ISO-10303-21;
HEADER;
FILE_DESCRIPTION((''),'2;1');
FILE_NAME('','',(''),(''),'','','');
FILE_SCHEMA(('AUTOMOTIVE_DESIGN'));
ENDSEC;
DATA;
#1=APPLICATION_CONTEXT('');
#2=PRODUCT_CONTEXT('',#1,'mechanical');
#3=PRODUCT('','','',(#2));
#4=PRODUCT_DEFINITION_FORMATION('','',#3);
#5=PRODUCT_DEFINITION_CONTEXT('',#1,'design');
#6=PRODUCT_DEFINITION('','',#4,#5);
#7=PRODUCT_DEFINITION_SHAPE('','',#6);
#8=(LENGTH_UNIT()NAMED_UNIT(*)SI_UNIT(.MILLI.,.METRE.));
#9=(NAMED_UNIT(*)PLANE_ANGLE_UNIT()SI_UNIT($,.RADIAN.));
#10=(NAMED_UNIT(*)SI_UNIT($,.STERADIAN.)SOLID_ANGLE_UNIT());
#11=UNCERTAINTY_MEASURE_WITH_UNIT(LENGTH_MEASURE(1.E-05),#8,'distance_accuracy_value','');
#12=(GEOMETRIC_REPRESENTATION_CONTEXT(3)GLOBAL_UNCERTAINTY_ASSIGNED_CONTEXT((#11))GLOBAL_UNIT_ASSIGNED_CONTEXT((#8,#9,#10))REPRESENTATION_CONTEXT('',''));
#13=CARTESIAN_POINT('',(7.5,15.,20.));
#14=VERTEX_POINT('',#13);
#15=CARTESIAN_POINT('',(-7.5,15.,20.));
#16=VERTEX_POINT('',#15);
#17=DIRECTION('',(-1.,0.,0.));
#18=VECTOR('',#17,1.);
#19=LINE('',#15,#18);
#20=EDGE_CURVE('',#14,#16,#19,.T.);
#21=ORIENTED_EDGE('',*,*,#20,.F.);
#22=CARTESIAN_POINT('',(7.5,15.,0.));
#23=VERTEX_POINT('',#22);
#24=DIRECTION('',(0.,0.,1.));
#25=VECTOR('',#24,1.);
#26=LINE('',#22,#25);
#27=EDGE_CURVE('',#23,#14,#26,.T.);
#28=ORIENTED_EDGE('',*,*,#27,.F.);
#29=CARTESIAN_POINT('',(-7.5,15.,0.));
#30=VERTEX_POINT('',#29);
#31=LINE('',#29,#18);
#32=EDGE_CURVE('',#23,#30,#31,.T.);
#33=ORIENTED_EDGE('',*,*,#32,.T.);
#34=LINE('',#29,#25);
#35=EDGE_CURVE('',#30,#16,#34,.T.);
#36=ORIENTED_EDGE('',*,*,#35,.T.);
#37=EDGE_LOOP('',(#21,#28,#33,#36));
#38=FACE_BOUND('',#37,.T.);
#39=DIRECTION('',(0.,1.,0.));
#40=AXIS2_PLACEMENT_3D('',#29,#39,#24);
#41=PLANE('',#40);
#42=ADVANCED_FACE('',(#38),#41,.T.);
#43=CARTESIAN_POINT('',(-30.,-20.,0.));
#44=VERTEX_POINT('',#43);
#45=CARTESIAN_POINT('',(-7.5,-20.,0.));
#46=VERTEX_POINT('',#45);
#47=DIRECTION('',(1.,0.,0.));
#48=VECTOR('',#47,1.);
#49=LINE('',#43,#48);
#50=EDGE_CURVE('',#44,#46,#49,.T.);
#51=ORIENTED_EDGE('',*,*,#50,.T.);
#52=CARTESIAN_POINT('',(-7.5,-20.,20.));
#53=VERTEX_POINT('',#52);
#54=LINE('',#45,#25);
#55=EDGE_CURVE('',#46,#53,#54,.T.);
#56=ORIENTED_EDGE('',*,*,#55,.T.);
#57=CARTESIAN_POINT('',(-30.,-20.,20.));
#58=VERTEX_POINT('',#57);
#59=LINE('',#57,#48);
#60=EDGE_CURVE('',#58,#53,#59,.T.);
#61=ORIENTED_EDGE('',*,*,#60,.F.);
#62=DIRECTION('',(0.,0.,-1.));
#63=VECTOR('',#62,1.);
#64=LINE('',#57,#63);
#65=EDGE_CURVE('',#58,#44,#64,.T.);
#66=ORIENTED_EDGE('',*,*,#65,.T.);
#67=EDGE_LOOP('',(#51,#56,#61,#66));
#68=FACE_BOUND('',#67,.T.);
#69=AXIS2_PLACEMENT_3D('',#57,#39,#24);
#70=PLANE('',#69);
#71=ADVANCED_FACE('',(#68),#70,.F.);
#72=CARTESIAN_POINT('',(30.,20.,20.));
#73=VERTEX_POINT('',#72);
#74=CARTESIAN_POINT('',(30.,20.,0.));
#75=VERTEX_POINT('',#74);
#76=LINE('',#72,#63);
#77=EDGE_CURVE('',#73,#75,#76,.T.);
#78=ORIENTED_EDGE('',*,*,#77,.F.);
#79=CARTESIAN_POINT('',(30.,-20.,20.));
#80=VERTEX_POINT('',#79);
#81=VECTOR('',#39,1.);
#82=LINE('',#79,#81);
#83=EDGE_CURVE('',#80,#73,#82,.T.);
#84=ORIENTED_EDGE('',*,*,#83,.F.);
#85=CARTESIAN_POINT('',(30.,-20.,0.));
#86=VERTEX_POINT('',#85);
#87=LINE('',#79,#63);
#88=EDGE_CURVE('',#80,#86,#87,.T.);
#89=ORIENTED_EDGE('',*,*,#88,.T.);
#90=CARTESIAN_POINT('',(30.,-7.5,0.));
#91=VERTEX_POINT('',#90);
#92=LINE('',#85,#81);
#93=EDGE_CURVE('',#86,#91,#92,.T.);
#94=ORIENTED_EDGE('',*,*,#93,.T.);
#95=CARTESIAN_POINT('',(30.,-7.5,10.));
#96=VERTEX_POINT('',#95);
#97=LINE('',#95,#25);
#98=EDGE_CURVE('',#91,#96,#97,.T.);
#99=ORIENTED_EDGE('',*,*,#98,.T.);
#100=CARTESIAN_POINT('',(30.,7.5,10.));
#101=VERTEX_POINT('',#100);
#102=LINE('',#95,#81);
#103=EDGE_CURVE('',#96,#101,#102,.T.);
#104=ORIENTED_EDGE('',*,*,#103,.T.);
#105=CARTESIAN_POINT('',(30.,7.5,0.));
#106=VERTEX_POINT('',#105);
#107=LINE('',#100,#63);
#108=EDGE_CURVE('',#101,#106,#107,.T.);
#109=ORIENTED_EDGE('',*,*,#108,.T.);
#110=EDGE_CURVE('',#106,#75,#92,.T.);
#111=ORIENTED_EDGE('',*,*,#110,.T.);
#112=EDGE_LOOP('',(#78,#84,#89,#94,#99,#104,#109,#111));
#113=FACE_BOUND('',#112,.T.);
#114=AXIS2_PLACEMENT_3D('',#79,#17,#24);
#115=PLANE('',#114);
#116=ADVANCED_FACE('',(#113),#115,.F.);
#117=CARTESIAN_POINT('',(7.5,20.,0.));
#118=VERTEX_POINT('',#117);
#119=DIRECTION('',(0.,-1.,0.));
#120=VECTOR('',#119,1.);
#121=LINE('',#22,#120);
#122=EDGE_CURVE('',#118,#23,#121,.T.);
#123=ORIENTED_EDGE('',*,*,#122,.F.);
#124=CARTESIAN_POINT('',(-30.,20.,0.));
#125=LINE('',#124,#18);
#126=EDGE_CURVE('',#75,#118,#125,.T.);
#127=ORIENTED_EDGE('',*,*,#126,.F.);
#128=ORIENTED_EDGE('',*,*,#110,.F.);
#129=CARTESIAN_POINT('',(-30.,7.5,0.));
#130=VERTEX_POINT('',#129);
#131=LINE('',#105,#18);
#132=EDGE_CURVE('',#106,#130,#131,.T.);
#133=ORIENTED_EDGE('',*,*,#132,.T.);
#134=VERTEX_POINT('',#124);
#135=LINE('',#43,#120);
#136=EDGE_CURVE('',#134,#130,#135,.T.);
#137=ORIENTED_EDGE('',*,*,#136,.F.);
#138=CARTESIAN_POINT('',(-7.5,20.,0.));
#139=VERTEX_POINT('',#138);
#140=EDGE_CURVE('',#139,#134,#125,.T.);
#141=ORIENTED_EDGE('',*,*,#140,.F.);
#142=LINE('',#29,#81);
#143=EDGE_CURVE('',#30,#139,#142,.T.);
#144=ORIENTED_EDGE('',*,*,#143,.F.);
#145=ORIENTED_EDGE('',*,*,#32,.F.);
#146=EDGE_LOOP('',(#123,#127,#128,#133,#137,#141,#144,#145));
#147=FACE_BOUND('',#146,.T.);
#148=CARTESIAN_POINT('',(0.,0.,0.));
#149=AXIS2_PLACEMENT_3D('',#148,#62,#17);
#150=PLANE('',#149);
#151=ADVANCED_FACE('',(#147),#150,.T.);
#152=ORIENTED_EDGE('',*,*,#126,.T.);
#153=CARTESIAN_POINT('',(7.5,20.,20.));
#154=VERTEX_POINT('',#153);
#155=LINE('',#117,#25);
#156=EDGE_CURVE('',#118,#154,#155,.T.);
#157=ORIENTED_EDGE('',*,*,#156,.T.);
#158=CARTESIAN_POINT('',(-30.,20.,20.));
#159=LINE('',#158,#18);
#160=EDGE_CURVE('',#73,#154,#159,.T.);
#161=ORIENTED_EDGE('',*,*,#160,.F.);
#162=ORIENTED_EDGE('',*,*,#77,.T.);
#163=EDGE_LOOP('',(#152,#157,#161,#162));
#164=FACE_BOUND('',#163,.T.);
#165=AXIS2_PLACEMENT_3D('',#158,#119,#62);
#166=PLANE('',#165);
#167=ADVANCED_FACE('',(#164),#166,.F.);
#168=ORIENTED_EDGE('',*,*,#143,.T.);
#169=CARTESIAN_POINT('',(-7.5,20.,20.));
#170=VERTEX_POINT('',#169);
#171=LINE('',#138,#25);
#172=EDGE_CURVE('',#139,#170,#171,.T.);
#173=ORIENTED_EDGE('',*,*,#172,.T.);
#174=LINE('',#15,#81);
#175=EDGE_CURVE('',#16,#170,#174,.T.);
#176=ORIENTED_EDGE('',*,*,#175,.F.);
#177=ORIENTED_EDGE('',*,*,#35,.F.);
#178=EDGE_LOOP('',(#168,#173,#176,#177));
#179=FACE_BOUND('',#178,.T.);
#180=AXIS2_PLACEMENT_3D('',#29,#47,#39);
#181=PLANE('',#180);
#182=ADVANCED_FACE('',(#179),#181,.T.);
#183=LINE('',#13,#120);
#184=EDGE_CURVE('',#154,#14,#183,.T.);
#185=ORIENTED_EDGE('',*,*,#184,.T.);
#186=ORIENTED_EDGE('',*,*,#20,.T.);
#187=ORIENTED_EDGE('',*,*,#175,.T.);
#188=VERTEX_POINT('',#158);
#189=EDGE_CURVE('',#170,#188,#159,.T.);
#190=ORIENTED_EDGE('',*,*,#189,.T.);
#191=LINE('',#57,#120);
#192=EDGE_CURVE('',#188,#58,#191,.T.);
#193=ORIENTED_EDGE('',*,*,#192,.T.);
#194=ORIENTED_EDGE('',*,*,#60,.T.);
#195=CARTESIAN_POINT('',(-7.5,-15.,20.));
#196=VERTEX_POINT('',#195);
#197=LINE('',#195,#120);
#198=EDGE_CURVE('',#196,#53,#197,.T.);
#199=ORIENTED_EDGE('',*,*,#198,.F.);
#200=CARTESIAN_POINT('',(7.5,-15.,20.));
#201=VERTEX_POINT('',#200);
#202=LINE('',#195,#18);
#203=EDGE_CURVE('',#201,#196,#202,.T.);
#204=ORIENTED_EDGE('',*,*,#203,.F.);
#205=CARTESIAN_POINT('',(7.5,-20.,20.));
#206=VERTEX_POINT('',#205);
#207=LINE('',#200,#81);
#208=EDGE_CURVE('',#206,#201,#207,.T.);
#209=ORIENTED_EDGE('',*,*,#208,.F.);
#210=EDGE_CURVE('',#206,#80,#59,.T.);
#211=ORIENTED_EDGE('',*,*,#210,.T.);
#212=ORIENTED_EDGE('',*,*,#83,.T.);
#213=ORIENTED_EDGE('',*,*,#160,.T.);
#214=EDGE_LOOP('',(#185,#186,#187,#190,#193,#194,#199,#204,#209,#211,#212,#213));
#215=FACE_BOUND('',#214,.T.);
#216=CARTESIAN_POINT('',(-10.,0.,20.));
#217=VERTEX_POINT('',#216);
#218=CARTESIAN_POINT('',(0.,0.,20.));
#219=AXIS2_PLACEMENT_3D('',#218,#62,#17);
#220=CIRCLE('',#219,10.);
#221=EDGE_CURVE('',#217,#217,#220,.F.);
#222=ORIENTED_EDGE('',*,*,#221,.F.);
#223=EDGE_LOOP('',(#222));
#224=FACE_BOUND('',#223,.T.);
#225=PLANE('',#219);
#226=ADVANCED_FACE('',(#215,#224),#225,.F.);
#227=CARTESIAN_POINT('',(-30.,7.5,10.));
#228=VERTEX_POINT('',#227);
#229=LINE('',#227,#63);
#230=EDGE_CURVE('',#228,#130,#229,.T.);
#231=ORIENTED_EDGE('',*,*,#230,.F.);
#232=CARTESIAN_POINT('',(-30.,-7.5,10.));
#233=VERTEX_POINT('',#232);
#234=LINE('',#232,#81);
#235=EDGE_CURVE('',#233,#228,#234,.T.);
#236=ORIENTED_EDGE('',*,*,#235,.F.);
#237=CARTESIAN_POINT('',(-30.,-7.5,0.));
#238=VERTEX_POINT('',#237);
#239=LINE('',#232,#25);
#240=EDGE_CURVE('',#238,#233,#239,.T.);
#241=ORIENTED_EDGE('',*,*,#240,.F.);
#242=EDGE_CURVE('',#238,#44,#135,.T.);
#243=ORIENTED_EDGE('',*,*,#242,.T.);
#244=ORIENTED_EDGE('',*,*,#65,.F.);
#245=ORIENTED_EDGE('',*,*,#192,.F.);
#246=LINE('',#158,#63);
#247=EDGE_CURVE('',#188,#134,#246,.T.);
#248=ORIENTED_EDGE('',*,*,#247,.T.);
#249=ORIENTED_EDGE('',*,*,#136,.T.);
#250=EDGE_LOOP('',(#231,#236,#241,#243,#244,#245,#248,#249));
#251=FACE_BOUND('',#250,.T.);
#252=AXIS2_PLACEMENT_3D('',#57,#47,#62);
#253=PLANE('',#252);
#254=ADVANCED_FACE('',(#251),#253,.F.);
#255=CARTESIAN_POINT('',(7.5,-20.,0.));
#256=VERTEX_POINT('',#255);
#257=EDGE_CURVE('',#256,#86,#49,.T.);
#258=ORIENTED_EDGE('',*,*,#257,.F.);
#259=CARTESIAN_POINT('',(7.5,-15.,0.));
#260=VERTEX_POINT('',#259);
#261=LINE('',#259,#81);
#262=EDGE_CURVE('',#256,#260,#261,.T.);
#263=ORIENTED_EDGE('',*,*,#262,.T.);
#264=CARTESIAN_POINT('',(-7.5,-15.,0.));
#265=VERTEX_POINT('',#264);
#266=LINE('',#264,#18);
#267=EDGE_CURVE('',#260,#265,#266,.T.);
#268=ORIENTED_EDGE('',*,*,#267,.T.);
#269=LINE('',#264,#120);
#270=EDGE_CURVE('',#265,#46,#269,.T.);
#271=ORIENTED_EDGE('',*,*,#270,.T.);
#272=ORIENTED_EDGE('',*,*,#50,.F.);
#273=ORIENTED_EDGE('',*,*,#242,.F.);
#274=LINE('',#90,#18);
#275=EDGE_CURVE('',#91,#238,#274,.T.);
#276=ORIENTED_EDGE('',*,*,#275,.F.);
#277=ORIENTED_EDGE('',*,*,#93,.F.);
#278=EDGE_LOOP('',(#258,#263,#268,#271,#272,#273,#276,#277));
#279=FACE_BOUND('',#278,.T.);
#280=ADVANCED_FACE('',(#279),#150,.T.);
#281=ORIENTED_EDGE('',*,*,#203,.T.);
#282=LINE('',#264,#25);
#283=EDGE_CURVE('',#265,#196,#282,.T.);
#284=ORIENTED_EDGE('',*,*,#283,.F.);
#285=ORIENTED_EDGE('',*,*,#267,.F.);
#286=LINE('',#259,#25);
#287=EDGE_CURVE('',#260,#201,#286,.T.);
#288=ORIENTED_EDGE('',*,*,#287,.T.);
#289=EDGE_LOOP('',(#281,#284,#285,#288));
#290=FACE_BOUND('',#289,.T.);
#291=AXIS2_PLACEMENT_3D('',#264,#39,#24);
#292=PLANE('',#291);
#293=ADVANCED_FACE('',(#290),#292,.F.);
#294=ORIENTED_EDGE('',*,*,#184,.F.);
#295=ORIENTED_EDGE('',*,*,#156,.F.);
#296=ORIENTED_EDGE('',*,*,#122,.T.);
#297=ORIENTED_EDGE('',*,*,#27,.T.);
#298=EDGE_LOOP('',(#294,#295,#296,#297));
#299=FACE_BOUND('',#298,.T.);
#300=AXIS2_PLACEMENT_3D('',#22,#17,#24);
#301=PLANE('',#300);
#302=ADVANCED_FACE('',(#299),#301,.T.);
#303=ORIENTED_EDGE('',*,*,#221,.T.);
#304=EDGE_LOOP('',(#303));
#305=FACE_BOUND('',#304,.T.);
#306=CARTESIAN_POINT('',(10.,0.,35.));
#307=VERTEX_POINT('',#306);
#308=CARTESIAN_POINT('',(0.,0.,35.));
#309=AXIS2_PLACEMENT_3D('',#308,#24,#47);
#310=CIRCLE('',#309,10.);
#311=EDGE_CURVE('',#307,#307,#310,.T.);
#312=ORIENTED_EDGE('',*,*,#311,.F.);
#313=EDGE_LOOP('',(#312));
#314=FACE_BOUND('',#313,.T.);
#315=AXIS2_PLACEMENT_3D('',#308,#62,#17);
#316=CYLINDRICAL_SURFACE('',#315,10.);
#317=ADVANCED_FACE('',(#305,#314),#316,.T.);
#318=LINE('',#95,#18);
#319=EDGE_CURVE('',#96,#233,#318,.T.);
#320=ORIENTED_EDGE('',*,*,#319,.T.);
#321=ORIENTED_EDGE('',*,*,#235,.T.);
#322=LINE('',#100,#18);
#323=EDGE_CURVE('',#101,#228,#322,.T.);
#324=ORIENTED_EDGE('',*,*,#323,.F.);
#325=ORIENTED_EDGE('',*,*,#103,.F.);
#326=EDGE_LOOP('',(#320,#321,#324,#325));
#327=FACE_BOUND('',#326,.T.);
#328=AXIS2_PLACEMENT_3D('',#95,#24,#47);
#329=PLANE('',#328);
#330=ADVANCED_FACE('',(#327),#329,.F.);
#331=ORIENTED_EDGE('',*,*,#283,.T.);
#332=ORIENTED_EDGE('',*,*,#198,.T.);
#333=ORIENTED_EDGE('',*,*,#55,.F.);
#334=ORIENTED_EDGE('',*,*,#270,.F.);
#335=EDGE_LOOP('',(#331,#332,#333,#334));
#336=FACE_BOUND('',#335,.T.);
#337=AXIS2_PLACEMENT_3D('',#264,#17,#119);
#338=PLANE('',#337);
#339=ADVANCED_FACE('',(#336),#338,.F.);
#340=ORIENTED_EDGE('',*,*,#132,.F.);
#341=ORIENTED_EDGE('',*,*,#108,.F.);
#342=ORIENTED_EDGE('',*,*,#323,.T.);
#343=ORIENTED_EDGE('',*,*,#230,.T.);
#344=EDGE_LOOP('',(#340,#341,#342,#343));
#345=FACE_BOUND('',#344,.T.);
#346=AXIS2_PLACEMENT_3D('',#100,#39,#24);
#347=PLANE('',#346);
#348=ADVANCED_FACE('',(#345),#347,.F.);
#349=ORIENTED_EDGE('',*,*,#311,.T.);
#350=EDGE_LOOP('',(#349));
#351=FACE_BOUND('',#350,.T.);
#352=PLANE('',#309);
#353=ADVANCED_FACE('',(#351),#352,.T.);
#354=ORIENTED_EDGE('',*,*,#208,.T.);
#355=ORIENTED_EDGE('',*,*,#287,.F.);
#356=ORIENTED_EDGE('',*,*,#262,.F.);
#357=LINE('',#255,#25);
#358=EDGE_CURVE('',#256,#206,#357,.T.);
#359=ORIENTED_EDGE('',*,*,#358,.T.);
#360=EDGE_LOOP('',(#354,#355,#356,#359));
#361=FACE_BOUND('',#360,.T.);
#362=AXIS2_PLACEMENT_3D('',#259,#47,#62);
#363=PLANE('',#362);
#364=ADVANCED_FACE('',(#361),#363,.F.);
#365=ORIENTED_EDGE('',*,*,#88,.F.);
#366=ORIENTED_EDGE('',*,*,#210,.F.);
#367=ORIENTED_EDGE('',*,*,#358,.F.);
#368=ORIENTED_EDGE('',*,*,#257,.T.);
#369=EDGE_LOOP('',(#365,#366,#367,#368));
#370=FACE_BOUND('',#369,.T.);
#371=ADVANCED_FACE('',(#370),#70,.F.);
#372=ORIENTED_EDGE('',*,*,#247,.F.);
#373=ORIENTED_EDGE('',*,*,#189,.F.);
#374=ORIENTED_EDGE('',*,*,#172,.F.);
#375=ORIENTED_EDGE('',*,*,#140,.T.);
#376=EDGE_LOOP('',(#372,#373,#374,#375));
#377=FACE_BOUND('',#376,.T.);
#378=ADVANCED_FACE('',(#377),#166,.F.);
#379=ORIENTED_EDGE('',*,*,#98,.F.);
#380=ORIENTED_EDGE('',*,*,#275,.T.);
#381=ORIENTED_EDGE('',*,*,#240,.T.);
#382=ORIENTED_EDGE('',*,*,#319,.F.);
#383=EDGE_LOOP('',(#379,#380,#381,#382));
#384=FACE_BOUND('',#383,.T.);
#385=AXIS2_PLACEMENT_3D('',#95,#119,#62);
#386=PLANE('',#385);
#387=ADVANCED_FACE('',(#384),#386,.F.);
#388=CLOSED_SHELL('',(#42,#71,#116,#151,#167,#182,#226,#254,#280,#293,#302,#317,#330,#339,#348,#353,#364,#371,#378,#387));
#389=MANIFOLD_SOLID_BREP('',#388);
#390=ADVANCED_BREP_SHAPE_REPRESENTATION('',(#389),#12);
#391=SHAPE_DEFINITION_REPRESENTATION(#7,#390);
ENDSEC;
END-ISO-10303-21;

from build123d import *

# Parameters (mm, degrees)
SKETCH_1_W          = 60
SKETCH_1_H          = 40
EXTRUDE_1_DEPTH     = 20
SKETCH_2_R          = 10
EXTRUDE_2_DEPTH     = 15
SKETCH_3_W          = 15
SKETCH_3_H          = 5
CUT_EXTRUDE_1_DEPTH = 42.231056256
SKETCH_4_W          = 10
SKETCH_4_H          = 15
CUT_EXTRUDE_2_DEPTH = 73.284161474


with BuildPart() as part:
    # Эскиз1 → Бобышка-Вытянуть1 (new body)
    with BuildSketch(Plane.XY):
        Rectangle(SKETCH_1_W, SKETCH_1_H)
    extrude(amount=EXTRUDE_1_DEPTH)

    # Эскиз2 → Бобышка-Вытянуть2 (add)
    with BuildSketch(Plane.XY.offset(20)):
        with Locations(Location((0, 0, 0), (0, 0, 180))):
            Circle(SKETCH_2_R)
    extrude(amount=EXTRUDE_2_DEPTH)

    # Эскиз3 → Вырез-Вытянуть1 (cut, through all)
    with BuildSketch(Plane.XY.offset(20)):
        with Locations((0, -17.5)):
            Rectangle(SKETCH_3_W, SKETCH_3_H)
    cut_extrude_1 = extrude(amount=-CUT_EXTRUDE_1_DEPTH, mode=Mode.SUBTRACT)

    # Зеркальное отражение1: Вырез-Вытянуть1 across plane
    add(cut_extrude_1.mirror(Plane.ZX), mode=Mode.SUBTRACT)

    # Эскиз4 → Вырез-Вытянуть2 (cut, through all)
    with BuildSketch(Plane.ZY.offset(30)):
        with Locations((5, 0)):
            Rectangle(SKETCH_4_W, SKETCH_4_H)
    extrude(amount=-CUT_EXTRUDE_2_DEPTH, mode=Mode.SUBTRACT)


solid = part.part
